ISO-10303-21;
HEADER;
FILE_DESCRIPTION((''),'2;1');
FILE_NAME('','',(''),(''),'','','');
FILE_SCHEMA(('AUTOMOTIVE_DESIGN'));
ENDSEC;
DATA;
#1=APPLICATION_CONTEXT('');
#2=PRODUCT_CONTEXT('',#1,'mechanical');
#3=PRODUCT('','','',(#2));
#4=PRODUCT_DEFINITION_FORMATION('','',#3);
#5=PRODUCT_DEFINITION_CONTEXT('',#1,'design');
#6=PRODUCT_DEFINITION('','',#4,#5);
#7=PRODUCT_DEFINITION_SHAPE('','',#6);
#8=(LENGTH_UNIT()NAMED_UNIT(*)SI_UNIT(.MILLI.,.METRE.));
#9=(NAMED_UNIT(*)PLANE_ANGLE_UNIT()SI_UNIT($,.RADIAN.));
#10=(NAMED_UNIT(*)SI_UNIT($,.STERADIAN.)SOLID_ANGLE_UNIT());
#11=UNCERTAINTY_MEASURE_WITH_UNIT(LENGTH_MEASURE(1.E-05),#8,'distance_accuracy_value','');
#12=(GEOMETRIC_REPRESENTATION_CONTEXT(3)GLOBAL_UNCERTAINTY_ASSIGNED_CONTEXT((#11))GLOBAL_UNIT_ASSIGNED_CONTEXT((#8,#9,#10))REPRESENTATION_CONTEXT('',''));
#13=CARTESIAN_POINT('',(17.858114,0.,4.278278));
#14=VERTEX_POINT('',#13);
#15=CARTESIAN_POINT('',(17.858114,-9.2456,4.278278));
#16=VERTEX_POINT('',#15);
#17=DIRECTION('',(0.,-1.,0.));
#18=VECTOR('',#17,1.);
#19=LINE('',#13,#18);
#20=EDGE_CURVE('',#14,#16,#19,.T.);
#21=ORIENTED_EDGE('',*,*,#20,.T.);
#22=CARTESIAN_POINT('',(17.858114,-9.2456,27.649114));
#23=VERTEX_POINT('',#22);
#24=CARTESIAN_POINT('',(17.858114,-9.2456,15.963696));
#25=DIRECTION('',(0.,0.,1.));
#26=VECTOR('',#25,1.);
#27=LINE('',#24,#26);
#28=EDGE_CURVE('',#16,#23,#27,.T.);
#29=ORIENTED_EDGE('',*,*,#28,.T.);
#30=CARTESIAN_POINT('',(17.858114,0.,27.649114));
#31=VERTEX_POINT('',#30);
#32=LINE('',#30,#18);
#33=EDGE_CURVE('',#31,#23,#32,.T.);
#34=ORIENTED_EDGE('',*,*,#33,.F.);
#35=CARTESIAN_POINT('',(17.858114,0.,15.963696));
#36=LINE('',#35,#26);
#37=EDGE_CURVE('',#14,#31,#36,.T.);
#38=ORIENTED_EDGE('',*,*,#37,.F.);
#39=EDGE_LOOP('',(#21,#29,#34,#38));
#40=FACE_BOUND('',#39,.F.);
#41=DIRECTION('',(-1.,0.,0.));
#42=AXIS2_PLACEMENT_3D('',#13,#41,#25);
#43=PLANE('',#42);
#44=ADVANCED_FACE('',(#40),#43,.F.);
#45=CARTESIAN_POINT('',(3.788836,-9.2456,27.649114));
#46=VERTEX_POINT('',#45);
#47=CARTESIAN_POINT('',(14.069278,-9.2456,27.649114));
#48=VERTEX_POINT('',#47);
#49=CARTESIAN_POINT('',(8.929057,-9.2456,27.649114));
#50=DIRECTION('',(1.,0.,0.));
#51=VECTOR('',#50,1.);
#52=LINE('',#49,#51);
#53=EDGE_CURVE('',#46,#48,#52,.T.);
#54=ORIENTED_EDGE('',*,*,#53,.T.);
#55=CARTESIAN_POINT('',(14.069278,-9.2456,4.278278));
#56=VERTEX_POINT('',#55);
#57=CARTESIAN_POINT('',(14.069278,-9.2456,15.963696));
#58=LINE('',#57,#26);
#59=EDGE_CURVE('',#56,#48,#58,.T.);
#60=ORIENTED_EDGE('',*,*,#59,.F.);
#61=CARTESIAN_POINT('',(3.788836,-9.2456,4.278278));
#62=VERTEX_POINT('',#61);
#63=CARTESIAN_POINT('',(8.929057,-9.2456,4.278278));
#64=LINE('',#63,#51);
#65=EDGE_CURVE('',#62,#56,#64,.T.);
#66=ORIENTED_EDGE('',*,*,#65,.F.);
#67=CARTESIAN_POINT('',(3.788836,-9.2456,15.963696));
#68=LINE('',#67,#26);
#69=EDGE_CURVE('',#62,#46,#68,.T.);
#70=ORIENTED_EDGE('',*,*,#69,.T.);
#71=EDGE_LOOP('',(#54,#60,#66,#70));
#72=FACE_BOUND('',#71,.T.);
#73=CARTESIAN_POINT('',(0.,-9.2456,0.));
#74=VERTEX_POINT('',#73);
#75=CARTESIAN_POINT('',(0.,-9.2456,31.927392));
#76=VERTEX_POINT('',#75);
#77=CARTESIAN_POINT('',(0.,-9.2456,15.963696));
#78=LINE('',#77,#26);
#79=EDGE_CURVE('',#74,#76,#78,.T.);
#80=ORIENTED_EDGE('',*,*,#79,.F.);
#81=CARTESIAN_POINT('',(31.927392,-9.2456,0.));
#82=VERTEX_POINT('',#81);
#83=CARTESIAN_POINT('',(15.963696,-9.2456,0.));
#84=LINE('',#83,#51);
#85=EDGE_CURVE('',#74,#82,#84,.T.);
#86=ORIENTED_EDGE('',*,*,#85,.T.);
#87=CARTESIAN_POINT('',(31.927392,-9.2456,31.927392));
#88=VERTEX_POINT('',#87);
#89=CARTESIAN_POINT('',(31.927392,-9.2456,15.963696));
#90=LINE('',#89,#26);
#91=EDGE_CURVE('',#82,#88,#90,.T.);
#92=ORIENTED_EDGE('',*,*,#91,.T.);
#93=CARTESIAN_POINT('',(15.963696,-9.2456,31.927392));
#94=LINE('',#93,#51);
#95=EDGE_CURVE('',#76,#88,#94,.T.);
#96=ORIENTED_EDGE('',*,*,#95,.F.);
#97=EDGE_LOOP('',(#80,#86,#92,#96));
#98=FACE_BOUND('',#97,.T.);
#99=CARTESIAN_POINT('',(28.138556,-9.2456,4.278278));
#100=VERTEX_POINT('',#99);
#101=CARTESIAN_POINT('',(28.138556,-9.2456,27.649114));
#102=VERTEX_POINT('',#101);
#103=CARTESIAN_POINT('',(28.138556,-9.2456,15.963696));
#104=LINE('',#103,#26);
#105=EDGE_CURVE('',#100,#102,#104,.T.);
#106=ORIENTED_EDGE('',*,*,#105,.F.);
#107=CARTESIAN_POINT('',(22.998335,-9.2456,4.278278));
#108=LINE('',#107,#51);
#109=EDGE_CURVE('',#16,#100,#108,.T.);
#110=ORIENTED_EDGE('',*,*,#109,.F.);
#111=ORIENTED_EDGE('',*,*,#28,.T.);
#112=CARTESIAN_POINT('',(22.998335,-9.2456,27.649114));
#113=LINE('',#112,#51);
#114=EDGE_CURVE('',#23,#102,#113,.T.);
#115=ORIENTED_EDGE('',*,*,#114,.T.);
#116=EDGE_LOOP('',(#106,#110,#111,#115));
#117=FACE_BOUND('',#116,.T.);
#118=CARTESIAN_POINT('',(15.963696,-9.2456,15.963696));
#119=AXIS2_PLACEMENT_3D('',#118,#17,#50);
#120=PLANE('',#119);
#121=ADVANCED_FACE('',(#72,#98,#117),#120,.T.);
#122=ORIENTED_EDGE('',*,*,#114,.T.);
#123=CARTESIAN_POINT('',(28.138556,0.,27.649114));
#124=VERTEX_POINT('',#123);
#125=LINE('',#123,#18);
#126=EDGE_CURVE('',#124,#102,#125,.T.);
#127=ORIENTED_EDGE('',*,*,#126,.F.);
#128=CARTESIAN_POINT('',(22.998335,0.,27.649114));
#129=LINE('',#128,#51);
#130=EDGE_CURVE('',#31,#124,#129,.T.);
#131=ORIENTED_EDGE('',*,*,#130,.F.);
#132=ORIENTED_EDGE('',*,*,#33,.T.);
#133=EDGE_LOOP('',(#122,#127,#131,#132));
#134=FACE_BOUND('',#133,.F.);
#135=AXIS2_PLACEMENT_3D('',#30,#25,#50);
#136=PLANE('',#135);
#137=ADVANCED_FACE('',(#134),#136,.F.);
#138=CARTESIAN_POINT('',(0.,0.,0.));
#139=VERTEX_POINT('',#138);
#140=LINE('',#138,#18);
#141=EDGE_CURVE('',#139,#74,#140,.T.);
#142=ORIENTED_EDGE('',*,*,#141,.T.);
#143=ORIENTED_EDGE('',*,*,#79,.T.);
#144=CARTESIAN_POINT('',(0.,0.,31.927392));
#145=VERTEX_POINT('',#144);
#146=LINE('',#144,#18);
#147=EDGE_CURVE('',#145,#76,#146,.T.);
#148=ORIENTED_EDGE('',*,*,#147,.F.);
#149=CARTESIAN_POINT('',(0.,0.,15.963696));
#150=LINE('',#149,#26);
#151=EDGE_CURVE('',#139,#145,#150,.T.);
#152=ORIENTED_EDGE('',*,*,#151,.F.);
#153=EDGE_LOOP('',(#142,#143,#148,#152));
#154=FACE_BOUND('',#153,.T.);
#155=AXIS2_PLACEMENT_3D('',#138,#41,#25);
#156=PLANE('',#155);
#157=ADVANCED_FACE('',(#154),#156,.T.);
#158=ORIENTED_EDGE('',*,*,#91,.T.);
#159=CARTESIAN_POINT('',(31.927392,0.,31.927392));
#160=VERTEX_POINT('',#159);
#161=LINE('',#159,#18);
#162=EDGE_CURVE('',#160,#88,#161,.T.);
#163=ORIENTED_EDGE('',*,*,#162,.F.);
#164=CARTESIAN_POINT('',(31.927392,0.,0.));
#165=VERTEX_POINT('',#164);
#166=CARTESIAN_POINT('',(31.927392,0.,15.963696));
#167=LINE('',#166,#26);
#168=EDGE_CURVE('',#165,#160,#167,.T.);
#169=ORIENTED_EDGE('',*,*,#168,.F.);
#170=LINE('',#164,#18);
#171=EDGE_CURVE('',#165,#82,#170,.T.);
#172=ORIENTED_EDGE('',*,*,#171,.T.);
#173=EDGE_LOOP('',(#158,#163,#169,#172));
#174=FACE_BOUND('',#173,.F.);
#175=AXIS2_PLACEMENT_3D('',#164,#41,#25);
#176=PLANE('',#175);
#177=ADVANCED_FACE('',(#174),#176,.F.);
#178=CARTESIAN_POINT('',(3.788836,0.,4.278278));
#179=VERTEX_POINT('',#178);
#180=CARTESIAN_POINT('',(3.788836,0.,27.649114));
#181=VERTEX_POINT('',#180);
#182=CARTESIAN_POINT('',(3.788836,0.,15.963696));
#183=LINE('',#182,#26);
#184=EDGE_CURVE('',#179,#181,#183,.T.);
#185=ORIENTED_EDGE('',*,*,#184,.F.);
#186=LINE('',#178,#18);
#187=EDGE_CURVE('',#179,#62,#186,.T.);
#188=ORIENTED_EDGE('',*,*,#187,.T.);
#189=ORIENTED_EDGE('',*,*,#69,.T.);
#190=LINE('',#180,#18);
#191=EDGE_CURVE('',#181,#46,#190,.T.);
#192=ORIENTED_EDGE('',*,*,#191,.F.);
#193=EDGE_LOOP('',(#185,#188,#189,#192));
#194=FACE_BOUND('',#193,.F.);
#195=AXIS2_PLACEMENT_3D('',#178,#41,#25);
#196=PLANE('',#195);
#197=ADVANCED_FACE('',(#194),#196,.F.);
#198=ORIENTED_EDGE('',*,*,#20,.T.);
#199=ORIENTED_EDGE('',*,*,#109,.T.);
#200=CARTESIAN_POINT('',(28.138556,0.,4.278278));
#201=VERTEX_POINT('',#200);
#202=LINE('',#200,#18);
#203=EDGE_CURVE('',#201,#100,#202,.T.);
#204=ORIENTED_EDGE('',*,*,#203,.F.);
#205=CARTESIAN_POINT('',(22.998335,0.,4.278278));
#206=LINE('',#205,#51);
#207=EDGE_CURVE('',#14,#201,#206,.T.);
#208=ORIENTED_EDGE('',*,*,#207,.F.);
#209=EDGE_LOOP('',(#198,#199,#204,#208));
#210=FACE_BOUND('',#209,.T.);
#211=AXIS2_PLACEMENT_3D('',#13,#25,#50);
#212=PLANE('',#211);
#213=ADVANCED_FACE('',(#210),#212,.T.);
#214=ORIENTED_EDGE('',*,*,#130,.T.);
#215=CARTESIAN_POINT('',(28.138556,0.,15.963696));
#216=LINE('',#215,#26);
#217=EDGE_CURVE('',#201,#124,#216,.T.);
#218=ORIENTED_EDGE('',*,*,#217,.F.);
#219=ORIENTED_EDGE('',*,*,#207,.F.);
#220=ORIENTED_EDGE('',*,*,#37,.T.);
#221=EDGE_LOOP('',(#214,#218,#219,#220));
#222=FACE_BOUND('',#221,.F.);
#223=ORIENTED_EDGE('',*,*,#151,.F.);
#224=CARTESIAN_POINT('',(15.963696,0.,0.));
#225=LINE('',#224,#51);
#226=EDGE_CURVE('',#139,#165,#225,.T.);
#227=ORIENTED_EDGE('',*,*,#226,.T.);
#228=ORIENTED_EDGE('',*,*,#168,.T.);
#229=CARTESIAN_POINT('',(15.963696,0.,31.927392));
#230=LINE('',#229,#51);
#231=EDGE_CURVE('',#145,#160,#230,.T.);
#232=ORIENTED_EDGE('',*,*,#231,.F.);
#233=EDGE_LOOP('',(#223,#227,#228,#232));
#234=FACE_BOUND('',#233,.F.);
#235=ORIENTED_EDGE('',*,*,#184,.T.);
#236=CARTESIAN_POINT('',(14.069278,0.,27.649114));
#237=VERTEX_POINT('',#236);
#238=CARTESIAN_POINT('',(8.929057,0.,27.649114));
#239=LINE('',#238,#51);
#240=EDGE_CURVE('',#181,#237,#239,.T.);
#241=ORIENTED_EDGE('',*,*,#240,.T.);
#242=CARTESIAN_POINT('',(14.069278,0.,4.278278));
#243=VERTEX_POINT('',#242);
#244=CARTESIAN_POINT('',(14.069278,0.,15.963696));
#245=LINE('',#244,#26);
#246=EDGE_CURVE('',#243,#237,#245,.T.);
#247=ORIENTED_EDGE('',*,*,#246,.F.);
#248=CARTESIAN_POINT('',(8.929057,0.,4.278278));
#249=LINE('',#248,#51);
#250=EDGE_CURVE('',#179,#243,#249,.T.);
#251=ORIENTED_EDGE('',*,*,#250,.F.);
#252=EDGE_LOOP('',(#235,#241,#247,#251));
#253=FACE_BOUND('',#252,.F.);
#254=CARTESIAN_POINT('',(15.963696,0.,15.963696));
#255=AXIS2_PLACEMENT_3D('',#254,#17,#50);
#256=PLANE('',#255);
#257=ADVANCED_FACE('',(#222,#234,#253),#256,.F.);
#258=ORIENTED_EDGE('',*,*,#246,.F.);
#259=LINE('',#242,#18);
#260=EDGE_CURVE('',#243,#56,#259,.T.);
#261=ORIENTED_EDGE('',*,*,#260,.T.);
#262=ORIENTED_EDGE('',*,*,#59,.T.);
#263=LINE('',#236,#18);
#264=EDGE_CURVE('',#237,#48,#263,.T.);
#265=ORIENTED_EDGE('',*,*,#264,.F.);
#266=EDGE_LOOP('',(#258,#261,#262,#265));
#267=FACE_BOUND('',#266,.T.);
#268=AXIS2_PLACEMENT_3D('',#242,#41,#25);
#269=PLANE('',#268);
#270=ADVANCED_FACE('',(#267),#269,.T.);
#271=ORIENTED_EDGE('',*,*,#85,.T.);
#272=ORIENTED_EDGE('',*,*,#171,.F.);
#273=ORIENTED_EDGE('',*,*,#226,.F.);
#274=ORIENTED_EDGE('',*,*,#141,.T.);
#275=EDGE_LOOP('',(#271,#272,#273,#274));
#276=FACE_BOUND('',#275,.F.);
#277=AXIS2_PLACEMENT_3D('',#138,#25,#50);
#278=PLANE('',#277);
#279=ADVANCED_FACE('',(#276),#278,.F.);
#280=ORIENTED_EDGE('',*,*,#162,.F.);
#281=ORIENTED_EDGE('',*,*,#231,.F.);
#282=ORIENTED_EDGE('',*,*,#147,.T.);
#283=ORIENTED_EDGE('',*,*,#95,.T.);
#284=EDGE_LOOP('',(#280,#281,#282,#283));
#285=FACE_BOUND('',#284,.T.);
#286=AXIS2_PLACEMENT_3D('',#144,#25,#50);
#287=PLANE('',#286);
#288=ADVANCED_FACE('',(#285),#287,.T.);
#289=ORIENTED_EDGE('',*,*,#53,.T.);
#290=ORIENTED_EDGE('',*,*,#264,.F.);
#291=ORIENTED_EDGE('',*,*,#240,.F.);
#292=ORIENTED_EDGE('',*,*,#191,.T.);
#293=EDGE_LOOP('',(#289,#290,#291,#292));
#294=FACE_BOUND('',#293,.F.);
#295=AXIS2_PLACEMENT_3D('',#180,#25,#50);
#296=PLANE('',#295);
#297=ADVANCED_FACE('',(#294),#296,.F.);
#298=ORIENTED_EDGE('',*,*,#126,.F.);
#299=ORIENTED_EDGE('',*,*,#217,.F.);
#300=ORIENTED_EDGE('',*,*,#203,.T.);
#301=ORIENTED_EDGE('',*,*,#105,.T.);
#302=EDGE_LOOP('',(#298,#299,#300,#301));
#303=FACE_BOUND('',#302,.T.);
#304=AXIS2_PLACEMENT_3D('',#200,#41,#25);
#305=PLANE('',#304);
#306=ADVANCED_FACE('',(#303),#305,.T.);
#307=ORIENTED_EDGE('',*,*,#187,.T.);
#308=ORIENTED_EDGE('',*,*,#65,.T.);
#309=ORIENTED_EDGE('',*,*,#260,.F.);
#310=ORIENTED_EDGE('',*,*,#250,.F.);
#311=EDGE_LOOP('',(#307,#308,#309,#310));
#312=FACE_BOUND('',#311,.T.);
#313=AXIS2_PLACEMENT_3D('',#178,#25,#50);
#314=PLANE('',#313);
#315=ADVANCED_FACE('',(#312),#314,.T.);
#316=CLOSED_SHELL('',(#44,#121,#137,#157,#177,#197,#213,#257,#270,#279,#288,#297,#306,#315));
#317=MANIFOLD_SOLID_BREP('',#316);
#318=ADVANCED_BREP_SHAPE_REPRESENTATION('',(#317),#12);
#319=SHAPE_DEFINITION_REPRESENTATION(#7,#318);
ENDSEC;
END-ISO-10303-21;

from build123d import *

# Parameters (mm, degrees)
F0_W     = 31.927392
F0_H     = 31.927392
F0_W_2   = 10.280441
F0_H_2   = 23.370836
F0_W_3   = 10.280442
F1_DEPTH = 9.2456


with BuildPart() as f1:
    # F0 (on Front) → F1 (new body)
    with BuildSketch(Plane.XZ):
        with Locations((15.963696, 15.963696)):
            Rectangle(F0_W, F0_H)
        with Locations((8.929057, 15.963696)):
            Rectangle(F0_W_2, F0_H_2, mode=Mode.SUBTRACT)
        with Locations((22.998335, 15.963696)):
            Rectangle(F0_W_3, F0_H_2, mode=Mode.SUBTRACT)
    extrude(amount=F1_DEPTH)


solid = f1.part
